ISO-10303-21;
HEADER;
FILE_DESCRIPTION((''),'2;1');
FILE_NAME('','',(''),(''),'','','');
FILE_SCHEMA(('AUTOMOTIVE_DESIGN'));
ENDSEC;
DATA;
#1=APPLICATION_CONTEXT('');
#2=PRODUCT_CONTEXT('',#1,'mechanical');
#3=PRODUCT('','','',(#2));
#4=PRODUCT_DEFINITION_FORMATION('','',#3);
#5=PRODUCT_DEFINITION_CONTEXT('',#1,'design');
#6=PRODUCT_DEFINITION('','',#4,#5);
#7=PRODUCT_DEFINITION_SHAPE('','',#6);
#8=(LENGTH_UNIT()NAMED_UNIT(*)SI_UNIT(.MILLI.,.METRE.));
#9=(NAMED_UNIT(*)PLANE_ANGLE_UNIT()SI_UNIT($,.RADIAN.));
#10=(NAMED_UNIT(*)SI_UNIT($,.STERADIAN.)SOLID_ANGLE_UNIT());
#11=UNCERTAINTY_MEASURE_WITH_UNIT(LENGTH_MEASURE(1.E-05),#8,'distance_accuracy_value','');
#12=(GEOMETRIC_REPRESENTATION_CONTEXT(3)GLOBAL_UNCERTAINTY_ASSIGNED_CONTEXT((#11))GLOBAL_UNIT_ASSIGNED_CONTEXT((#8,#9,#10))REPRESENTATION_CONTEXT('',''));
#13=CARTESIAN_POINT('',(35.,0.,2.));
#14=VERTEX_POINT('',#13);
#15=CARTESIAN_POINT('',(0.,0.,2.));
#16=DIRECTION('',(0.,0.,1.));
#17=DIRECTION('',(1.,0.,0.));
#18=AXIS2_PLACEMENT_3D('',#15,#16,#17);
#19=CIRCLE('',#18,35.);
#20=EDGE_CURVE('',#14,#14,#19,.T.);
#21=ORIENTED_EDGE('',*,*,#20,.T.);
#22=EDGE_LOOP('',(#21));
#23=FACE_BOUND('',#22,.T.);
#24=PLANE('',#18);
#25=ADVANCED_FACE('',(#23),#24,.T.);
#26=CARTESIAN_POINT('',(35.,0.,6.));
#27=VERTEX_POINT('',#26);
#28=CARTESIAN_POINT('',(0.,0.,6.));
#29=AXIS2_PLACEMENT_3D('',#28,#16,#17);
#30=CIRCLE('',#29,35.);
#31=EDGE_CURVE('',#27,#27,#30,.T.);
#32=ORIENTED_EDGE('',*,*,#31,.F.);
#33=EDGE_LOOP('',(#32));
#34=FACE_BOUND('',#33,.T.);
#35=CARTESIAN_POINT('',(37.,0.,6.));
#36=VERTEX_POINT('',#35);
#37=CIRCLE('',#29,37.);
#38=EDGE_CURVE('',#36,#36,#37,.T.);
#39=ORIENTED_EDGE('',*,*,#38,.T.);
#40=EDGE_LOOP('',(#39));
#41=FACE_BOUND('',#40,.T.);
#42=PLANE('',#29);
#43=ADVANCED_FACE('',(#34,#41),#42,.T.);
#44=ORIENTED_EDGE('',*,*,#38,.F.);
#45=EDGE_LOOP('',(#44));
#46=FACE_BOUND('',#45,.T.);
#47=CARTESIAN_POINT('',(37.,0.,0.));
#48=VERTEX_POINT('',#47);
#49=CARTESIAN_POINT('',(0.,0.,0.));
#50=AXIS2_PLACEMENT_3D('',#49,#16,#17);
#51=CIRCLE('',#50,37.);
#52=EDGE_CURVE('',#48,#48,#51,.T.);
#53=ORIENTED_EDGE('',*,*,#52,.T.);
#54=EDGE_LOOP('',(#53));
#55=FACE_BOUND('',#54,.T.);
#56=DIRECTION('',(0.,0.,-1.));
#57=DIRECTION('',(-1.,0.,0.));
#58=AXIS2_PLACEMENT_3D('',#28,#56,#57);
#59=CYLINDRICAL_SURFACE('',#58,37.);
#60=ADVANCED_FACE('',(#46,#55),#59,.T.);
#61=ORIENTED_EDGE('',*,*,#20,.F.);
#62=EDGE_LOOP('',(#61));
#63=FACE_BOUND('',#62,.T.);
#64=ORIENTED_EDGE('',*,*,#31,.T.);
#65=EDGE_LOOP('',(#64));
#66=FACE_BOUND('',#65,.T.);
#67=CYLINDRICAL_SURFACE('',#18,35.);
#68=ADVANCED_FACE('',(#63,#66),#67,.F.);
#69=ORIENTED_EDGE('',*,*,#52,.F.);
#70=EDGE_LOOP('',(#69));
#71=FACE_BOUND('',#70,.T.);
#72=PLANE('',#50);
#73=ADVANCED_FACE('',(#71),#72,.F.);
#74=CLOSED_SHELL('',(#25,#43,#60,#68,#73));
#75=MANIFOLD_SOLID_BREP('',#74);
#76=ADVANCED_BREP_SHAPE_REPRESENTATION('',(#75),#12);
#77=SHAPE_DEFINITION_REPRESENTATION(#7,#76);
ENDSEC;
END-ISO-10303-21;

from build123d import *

# Parameters (mm, degrees)
ESQUISSE1_R             = 37
BOSS_EXTRU_1_DEPTH      = 6
ESQUISSE2_R             = 35
ENL_V_MAT_EXTRU_1_DEPTH = 4


with BuildPart() as part:
    # Esquisse1 → Boss.-Extru.1 (new body)
    with BuildSketch(Plane.XY):
        Circle(ESQUISSE1_R)
    extrude(amount=BOSS_EXTRU_1_DEPTH)

    # Esquisse2 → Enlèv. mat.-Extru.1 (cut)
    with BuildSketch(Plane.XY.offset(6)):
        Circle(ESQUISSE2_R)
    extrude(amount=-ENL_V_MAT_EXTRU_1_DEPTH, mode=Mode.SUBTRACT)


solid = part.part
